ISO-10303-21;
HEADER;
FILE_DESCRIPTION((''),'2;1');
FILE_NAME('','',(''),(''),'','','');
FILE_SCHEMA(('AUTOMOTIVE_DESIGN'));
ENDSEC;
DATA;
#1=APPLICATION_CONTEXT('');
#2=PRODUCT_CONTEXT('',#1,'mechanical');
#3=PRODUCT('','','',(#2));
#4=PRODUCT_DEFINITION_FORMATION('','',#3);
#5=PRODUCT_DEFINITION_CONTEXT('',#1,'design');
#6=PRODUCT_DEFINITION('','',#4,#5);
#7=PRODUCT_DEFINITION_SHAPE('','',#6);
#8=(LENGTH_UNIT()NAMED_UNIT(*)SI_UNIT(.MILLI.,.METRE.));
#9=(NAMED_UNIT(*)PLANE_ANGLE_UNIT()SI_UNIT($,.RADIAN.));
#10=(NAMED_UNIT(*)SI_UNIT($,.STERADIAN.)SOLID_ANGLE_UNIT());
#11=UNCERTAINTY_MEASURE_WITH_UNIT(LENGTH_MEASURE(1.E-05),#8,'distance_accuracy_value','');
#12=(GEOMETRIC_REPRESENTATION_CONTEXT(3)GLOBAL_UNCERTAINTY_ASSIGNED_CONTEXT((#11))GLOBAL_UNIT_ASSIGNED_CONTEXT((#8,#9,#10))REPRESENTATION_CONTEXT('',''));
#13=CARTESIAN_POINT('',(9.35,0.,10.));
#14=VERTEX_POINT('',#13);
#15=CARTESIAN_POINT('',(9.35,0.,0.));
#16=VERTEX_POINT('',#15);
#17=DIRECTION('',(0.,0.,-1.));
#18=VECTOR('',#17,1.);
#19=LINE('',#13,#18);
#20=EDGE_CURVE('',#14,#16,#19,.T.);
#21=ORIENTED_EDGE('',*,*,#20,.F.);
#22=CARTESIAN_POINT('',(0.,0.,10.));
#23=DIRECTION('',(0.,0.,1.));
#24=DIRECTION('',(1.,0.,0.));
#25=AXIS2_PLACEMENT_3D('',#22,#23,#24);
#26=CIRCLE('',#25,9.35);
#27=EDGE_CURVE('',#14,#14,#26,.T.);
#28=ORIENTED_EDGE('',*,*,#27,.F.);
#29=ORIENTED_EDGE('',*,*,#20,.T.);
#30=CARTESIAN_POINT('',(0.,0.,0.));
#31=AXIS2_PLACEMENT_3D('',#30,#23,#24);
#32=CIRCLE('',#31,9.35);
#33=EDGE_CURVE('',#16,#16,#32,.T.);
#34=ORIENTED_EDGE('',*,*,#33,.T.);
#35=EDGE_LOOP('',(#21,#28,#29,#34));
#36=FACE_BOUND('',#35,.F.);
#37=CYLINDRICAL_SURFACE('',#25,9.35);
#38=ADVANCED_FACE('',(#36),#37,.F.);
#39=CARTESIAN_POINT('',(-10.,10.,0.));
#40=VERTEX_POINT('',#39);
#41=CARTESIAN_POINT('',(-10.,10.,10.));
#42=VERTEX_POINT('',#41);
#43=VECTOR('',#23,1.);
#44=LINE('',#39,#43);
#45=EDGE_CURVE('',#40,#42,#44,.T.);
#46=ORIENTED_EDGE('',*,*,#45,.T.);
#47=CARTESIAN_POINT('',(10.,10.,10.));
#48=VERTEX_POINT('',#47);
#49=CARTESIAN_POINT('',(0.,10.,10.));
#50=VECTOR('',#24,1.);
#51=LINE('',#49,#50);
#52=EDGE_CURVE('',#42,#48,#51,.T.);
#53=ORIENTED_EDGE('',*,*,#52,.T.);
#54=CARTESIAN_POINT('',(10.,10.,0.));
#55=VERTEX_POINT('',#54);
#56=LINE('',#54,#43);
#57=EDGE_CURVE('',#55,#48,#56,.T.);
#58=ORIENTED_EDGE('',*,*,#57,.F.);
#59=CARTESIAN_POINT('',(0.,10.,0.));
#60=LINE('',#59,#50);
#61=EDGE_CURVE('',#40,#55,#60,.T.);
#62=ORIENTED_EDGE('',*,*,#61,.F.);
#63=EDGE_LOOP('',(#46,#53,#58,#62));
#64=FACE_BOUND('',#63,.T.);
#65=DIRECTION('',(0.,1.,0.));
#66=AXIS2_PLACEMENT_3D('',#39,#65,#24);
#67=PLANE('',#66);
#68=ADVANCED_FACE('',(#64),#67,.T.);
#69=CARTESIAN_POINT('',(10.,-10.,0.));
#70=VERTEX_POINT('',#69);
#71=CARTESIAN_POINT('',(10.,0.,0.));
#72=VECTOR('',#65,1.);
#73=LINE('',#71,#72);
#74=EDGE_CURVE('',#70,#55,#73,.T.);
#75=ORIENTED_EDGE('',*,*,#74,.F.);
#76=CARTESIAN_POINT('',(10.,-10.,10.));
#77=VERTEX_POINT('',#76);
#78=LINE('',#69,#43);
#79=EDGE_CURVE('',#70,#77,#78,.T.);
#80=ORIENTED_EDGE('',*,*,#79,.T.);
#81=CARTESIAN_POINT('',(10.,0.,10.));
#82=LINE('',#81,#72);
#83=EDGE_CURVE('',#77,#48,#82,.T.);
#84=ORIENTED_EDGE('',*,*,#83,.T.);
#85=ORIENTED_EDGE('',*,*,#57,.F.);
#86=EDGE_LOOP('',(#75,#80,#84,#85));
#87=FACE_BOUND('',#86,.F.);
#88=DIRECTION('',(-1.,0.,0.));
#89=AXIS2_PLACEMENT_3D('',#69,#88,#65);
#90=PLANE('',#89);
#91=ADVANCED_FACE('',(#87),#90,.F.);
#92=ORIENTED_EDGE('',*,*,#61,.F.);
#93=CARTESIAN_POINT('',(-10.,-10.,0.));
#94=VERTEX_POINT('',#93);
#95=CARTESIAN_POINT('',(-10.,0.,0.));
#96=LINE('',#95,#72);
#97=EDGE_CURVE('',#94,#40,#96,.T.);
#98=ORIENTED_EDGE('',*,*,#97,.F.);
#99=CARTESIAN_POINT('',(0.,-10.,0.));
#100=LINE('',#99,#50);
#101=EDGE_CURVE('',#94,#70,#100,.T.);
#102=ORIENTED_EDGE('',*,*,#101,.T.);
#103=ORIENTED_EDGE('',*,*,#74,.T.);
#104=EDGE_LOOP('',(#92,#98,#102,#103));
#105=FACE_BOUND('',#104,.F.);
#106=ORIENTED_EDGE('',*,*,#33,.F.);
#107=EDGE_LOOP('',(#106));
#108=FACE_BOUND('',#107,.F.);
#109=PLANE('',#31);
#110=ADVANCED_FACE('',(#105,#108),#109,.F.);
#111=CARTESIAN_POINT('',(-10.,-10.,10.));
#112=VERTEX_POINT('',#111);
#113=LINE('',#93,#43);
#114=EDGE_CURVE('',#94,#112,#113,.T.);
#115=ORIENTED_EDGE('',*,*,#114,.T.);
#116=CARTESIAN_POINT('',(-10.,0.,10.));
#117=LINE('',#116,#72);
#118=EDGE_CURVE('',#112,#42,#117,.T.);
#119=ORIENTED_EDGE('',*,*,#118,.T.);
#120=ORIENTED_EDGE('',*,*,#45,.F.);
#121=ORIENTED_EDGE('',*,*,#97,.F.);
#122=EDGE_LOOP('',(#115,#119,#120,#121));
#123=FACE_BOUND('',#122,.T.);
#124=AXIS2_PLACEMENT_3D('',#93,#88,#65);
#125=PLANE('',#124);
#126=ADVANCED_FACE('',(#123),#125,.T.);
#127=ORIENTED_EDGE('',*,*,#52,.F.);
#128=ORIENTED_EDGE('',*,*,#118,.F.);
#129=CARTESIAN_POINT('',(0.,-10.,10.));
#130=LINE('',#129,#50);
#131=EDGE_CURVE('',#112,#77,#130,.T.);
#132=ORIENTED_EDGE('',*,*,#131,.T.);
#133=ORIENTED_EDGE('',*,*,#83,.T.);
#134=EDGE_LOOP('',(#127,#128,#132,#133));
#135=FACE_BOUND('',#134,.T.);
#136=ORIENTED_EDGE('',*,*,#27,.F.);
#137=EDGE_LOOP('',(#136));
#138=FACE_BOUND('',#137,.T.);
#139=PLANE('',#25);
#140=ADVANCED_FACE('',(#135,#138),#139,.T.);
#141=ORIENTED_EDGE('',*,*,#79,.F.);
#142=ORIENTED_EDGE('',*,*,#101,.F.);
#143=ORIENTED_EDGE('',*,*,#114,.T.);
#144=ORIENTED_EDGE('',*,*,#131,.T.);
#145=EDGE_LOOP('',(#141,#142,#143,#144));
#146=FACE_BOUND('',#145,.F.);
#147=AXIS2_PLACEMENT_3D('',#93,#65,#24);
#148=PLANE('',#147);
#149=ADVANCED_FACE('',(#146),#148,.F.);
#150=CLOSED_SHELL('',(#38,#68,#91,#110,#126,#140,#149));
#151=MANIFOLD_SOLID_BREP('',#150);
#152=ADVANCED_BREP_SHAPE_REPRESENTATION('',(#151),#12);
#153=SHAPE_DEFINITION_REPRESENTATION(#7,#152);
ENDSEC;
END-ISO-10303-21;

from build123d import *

# Parameters (mm, degrees)
SKETCH_W     = 20
SKETCH_H     = 20
PAD_DEPTH    = 10
SKETCH001_R  = 9.35
POCKET_DEPTH = 10


with BuildPart() as part:
    # Sketch → Pad (new body)
    with BuildSketch(Plane.XY):
        Rectangle(SKETCH_W, SKETCH_H)
    extrude(amount=PAD_DEPTH)

    # Sketch001 (on Face6 of Pad) → Pocket (cut)
    with BuildSketch(Plane.XY.offset(10)):
        Circle(SKETCH001_R)
    extrude(amount=-POCKET_DEPTH, mode=Mode.SUBTRACT)


solid = part.part
